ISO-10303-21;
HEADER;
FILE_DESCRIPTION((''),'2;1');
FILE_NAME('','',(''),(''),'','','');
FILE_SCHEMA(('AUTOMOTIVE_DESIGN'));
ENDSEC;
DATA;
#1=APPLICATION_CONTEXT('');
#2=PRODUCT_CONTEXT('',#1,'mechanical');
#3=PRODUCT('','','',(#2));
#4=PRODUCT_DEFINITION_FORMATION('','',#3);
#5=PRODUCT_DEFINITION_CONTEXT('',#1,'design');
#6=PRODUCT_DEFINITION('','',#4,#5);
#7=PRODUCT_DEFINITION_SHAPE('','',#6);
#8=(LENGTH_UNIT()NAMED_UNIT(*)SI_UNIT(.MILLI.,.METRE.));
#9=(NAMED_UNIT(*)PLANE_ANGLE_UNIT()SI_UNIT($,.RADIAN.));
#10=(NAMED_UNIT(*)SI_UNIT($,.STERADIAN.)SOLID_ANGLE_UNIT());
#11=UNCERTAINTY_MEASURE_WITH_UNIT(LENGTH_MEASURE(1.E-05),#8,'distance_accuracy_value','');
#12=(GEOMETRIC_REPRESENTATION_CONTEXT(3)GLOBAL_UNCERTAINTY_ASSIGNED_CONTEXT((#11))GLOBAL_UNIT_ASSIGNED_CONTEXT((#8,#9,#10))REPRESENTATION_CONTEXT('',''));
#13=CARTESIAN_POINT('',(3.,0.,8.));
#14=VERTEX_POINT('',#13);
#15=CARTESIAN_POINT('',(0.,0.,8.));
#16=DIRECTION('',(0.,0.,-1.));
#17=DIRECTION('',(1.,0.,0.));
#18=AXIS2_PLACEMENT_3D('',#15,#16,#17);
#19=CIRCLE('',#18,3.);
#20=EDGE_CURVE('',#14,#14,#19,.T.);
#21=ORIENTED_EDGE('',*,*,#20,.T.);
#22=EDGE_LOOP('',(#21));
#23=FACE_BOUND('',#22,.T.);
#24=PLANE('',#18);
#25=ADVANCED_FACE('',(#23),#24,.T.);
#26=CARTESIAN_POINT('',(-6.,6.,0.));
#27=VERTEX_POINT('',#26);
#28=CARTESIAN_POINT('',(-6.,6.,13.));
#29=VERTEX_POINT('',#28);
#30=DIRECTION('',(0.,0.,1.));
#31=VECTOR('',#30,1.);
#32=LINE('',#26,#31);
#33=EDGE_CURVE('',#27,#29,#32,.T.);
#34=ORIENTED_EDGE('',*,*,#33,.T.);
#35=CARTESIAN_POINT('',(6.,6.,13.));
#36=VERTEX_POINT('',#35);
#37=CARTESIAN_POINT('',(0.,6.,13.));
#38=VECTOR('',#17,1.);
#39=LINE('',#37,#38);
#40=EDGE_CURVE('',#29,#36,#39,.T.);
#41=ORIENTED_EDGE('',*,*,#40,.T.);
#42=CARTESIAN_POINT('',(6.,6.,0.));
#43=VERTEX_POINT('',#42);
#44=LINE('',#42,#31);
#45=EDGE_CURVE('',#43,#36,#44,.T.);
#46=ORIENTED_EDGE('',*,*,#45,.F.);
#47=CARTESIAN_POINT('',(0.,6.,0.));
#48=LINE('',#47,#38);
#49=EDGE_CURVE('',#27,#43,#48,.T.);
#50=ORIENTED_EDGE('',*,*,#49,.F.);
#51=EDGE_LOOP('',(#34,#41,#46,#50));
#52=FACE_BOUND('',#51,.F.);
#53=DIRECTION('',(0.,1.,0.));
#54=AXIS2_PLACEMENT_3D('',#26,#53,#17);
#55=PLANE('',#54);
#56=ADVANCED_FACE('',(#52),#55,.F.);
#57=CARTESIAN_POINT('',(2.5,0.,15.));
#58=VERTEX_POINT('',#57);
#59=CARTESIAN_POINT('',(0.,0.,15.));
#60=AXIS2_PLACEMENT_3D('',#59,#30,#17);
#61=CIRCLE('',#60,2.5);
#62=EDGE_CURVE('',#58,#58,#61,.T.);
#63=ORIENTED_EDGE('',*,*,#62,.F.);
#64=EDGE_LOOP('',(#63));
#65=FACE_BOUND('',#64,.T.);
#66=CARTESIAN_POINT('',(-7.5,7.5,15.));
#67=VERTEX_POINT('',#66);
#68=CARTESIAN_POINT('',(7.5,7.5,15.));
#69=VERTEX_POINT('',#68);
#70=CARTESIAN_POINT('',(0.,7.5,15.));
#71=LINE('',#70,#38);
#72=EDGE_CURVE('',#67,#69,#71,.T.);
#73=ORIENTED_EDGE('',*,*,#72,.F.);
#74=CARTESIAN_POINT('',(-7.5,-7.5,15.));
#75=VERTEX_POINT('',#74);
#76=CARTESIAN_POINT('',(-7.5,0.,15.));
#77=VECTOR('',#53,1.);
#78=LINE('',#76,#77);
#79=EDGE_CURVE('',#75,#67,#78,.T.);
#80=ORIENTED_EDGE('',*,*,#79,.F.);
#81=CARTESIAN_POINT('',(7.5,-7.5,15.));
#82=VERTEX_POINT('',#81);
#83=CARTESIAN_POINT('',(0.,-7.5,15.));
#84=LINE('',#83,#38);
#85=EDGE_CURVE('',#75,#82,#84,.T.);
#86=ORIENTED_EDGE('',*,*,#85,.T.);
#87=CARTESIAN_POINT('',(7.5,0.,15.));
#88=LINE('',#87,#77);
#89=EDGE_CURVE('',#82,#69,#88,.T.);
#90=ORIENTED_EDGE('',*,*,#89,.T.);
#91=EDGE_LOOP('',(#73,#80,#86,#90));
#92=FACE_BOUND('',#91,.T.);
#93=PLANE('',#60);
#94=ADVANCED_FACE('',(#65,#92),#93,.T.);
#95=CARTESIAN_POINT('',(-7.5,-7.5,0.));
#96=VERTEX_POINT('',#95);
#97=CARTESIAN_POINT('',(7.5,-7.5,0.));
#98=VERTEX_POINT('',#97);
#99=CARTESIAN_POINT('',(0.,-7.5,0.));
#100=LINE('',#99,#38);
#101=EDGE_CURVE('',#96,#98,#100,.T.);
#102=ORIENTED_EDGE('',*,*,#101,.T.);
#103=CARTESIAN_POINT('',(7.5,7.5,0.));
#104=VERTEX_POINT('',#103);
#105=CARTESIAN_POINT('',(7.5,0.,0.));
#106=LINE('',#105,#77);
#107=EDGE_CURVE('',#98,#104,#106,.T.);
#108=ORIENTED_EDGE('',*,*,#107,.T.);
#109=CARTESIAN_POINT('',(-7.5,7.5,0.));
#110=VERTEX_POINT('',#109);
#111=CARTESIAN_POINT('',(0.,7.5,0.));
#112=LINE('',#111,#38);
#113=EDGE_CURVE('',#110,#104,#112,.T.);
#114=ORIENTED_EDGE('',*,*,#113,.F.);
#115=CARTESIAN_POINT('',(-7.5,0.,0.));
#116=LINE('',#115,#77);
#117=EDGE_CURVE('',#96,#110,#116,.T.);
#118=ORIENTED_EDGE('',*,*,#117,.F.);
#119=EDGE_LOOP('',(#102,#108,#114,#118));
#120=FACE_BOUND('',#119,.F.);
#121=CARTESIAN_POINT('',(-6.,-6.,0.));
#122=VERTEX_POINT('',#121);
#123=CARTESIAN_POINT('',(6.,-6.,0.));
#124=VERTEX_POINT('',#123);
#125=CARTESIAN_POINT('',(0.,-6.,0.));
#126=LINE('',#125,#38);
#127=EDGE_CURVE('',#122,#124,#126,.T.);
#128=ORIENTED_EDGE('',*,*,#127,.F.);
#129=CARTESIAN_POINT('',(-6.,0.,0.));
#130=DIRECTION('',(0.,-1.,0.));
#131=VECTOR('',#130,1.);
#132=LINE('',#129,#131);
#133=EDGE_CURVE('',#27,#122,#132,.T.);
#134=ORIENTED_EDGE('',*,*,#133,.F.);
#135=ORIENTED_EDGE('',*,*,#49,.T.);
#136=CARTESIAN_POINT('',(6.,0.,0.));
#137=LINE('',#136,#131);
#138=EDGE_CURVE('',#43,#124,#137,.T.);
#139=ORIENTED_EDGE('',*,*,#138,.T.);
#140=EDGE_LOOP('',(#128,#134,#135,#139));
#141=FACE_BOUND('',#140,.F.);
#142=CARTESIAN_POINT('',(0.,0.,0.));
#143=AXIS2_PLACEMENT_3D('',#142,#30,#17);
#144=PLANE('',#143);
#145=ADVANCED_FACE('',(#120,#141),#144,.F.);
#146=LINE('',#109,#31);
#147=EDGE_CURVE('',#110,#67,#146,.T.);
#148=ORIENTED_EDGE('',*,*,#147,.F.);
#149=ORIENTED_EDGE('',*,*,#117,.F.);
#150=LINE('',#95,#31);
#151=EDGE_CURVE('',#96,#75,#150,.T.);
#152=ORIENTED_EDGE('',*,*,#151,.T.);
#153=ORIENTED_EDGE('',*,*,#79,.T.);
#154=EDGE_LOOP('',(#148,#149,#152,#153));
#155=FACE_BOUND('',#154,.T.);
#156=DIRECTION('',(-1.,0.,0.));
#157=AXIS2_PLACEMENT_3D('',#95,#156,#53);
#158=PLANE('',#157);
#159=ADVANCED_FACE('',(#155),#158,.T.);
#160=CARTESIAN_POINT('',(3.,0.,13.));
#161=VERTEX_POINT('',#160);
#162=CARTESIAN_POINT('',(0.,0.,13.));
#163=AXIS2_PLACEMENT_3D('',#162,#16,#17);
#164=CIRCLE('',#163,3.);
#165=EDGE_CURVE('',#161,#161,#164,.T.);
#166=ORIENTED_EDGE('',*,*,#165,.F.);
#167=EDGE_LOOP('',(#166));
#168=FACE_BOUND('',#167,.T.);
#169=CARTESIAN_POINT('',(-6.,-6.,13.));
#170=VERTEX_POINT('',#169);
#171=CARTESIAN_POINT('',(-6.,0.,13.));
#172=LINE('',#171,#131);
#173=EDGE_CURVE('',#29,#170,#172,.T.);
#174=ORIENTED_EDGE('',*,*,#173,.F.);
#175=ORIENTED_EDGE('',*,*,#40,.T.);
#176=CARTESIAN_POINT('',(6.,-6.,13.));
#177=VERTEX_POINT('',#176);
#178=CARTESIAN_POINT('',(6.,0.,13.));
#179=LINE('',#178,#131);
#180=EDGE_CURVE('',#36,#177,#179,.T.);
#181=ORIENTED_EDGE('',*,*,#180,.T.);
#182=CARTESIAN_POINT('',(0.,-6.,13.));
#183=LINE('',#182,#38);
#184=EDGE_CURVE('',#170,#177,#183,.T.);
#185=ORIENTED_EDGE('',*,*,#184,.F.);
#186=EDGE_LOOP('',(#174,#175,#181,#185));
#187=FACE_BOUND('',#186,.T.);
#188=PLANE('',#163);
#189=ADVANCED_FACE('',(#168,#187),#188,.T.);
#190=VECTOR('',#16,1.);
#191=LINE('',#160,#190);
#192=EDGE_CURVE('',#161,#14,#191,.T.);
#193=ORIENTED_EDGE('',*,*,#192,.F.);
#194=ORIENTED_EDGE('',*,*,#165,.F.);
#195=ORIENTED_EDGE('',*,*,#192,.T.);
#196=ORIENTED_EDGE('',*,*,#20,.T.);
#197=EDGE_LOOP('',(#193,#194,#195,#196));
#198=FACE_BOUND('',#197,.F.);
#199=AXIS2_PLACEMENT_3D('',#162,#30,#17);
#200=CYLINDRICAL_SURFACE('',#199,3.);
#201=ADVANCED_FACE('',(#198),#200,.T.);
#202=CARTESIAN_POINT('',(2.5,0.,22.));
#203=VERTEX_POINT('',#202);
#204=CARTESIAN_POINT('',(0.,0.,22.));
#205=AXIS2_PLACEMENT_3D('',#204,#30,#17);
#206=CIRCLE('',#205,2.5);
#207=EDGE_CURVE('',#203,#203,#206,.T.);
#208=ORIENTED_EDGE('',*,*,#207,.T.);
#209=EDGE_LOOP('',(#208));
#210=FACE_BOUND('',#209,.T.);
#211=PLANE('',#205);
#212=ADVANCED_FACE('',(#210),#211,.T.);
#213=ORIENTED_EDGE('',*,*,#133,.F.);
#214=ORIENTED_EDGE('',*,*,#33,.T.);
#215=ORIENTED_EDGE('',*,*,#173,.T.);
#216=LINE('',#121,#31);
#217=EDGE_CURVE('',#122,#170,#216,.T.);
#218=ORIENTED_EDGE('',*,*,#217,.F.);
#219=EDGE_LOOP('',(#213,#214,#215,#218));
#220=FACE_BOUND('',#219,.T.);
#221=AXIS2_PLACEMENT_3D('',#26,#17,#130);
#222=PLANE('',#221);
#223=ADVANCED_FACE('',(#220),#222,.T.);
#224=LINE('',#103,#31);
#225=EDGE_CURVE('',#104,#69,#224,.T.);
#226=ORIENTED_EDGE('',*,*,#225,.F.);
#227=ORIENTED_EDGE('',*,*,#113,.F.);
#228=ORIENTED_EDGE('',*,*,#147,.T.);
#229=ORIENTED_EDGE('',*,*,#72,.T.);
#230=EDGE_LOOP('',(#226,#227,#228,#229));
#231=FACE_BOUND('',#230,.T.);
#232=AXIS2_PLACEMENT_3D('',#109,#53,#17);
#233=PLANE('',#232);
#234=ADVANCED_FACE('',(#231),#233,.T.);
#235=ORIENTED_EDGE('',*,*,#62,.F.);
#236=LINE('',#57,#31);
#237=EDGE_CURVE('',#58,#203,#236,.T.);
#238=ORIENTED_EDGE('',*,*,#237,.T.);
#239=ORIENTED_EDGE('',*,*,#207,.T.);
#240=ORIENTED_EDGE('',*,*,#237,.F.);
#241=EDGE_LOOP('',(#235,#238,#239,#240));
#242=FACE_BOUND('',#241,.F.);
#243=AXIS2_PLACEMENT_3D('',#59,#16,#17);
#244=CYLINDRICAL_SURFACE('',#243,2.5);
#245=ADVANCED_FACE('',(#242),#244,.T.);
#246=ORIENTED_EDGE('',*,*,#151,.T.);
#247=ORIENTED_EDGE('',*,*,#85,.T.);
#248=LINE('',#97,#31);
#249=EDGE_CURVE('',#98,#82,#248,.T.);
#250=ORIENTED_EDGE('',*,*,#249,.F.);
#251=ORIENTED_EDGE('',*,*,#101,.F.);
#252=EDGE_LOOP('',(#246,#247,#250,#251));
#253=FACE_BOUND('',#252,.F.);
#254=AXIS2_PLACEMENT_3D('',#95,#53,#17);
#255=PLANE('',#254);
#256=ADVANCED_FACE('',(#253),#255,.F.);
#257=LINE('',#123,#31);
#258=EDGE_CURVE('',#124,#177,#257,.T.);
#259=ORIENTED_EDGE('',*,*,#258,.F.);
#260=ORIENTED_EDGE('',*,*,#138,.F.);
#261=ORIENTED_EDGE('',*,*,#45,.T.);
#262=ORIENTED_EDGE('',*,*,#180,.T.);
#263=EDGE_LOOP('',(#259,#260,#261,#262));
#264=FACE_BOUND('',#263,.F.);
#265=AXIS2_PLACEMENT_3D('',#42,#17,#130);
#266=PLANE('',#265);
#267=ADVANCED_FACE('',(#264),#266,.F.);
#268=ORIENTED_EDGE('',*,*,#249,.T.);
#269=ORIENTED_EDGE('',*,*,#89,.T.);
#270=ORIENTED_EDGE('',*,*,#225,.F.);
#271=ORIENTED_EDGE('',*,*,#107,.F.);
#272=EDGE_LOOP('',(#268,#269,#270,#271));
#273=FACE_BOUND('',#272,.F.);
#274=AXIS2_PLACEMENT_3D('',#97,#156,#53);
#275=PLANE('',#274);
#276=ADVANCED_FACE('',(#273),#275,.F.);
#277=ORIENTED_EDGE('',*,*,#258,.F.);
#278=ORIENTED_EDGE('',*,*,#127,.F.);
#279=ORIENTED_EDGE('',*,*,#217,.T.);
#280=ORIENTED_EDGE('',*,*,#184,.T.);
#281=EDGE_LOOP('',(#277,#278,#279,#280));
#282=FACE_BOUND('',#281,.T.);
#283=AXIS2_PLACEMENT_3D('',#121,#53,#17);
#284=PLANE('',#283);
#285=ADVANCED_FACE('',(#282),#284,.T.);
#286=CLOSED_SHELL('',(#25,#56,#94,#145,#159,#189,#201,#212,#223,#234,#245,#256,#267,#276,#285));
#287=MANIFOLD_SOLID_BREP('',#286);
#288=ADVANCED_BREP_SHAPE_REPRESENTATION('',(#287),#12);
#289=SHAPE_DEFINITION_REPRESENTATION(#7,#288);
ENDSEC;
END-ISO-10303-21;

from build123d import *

# Parameters (mm, degrees)
F0_W     = 15
F0_H     = 15
F1_DEPTH = 15
F2_R     = 2.5
F3_DEPTH = 7
F4_W     = 12
F4_H     = 12
F5_DEPTH = 13
F6_R     = 3
F7_DEPTH = 5


with BuildPart() as f1:
    # F0 (on Top) → F1 (new body)
    with BuildSketch(Plane.XY):
        Rectangle(F0_W, F0_H)
    extrude(amount=F1_DEPTH)

    # F2 (on face) → F3 (join)
    with BuildSketch(Plane.XY.offset(15)):
        Circle(F2_R)
    extrude(amount=F3_DEPTH)

    # F4 (on face) → F5 (cut)
    with BuildSketch(Plane(origin=(0, 0, 0), x_dir=(1, 0, 0), z_dir=(0, 0, -1))):
        Rectangle(F4_W, F4_H)
    extrude(amount=-F5_DEPTH, mode=Mode.SUBTRACT)

    # F6 (on face) → F7 (join)
    with BuildSketch(Plane(origin=(0, 0, 13), x_dir=(1, 0, 0), z_dir=(0, 0, -1))):
        Circle(F6_R)
    extrude(amount=F7_DEPTH)


solid = f1.part
